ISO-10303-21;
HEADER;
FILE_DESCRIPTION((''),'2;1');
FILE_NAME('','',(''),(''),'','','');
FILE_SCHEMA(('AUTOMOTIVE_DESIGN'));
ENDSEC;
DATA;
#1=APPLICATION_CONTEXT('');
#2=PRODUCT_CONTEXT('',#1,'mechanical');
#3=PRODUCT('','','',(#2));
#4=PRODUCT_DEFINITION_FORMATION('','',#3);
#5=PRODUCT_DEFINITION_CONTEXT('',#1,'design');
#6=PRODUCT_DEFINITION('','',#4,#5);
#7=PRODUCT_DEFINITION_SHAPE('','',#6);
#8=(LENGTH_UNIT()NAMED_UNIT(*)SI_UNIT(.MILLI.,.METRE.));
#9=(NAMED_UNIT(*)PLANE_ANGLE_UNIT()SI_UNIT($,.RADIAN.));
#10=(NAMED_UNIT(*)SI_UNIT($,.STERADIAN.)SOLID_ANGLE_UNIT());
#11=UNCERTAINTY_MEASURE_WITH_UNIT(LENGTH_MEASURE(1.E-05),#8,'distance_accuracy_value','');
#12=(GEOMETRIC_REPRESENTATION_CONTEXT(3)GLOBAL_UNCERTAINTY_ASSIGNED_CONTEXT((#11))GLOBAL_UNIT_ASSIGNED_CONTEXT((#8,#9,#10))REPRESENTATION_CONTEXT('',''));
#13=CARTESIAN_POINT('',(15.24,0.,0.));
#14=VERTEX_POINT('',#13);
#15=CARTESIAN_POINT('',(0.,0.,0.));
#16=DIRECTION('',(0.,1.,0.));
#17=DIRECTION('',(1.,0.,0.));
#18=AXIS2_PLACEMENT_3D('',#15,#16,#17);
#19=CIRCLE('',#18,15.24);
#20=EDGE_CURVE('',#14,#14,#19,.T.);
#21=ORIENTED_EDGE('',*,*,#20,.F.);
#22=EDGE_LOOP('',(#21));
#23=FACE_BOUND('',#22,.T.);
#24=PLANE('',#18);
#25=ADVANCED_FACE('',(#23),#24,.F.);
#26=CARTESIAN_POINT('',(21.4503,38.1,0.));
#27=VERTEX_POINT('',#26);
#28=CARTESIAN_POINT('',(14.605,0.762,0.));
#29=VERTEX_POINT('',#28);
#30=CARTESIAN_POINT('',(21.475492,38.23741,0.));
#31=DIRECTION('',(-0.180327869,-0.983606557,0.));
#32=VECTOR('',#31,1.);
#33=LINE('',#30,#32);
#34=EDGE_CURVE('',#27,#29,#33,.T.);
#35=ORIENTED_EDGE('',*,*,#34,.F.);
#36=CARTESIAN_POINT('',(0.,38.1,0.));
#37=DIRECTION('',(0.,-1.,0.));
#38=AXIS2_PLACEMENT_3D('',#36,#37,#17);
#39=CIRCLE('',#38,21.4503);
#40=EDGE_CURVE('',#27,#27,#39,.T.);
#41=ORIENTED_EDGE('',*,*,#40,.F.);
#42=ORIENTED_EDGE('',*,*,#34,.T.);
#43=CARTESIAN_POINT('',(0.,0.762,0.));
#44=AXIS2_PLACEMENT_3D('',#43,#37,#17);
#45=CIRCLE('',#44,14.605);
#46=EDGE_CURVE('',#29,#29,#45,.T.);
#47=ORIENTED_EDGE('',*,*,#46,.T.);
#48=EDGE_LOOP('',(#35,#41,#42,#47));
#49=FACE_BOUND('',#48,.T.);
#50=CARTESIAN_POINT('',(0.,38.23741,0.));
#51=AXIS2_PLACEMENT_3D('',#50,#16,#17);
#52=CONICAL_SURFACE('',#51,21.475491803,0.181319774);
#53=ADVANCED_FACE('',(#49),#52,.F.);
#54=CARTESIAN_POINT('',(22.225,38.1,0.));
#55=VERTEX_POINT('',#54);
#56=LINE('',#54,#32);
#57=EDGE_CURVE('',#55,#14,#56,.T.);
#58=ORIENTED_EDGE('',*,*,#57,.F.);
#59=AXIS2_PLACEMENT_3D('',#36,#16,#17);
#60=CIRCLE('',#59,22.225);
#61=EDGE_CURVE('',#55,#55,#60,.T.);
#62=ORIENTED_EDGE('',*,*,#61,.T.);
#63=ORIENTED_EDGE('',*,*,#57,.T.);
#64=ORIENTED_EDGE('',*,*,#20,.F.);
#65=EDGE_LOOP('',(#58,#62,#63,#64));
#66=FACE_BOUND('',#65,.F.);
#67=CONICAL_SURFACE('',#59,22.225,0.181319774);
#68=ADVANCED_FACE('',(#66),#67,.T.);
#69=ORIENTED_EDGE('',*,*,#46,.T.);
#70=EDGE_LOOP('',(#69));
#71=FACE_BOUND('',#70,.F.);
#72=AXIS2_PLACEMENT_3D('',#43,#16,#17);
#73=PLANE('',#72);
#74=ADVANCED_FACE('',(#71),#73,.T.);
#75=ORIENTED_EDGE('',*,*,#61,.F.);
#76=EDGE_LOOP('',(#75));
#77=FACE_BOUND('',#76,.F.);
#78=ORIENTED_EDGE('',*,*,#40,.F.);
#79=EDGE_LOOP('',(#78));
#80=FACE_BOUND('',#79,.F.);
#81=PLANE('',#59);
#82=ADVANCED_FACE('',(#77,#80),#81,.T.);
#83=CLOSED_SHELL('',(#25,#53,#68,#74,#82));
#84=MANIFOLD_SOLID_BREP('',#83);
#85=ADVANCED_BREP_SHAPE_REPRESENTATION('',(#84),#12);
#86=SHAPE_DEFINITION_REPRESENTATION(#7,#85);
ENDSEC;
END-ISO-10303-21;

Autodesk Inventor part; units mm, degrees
ref_plane "YZ Plane" through (0, 0, 0) normal (1, 0, 0) x (0, 1, 0)
ref_plane "XZ Plane" through (0, 0, 0) normal (0, 1, 0) x (-1, 0, 0)
ref_plane "XY Plane" through (0, 0, 0) normal (0, 0, 1) x (1, 0, 0)
sketch "Sketch1" plane through (0, 0, 0) normal (0, 0, 1) x (1, 0, 0)
  line L0 (0, 0) -> (15.24, 0)
  line L1 (0, 0) -> (0, 38.1)
  line L2 (0, 38.1) -> (22.225, 38.1)
  line L3 (22.225, 38.1) -> (15.24, 0)
  dimension "d0" = 15.24
  dimension "d1" = 38.1
  dimension "d2" = 22.225
revolve "Revolution1" add sketch "Sketch1" angle 360 about axis through (0, 0, 0) along (0, 1, 0)
shell "Shell1" thickness 0.762 removed faces 1 at (2.0252, 38.1, 4.4852)
properties part number "IP_Cap_JC"
